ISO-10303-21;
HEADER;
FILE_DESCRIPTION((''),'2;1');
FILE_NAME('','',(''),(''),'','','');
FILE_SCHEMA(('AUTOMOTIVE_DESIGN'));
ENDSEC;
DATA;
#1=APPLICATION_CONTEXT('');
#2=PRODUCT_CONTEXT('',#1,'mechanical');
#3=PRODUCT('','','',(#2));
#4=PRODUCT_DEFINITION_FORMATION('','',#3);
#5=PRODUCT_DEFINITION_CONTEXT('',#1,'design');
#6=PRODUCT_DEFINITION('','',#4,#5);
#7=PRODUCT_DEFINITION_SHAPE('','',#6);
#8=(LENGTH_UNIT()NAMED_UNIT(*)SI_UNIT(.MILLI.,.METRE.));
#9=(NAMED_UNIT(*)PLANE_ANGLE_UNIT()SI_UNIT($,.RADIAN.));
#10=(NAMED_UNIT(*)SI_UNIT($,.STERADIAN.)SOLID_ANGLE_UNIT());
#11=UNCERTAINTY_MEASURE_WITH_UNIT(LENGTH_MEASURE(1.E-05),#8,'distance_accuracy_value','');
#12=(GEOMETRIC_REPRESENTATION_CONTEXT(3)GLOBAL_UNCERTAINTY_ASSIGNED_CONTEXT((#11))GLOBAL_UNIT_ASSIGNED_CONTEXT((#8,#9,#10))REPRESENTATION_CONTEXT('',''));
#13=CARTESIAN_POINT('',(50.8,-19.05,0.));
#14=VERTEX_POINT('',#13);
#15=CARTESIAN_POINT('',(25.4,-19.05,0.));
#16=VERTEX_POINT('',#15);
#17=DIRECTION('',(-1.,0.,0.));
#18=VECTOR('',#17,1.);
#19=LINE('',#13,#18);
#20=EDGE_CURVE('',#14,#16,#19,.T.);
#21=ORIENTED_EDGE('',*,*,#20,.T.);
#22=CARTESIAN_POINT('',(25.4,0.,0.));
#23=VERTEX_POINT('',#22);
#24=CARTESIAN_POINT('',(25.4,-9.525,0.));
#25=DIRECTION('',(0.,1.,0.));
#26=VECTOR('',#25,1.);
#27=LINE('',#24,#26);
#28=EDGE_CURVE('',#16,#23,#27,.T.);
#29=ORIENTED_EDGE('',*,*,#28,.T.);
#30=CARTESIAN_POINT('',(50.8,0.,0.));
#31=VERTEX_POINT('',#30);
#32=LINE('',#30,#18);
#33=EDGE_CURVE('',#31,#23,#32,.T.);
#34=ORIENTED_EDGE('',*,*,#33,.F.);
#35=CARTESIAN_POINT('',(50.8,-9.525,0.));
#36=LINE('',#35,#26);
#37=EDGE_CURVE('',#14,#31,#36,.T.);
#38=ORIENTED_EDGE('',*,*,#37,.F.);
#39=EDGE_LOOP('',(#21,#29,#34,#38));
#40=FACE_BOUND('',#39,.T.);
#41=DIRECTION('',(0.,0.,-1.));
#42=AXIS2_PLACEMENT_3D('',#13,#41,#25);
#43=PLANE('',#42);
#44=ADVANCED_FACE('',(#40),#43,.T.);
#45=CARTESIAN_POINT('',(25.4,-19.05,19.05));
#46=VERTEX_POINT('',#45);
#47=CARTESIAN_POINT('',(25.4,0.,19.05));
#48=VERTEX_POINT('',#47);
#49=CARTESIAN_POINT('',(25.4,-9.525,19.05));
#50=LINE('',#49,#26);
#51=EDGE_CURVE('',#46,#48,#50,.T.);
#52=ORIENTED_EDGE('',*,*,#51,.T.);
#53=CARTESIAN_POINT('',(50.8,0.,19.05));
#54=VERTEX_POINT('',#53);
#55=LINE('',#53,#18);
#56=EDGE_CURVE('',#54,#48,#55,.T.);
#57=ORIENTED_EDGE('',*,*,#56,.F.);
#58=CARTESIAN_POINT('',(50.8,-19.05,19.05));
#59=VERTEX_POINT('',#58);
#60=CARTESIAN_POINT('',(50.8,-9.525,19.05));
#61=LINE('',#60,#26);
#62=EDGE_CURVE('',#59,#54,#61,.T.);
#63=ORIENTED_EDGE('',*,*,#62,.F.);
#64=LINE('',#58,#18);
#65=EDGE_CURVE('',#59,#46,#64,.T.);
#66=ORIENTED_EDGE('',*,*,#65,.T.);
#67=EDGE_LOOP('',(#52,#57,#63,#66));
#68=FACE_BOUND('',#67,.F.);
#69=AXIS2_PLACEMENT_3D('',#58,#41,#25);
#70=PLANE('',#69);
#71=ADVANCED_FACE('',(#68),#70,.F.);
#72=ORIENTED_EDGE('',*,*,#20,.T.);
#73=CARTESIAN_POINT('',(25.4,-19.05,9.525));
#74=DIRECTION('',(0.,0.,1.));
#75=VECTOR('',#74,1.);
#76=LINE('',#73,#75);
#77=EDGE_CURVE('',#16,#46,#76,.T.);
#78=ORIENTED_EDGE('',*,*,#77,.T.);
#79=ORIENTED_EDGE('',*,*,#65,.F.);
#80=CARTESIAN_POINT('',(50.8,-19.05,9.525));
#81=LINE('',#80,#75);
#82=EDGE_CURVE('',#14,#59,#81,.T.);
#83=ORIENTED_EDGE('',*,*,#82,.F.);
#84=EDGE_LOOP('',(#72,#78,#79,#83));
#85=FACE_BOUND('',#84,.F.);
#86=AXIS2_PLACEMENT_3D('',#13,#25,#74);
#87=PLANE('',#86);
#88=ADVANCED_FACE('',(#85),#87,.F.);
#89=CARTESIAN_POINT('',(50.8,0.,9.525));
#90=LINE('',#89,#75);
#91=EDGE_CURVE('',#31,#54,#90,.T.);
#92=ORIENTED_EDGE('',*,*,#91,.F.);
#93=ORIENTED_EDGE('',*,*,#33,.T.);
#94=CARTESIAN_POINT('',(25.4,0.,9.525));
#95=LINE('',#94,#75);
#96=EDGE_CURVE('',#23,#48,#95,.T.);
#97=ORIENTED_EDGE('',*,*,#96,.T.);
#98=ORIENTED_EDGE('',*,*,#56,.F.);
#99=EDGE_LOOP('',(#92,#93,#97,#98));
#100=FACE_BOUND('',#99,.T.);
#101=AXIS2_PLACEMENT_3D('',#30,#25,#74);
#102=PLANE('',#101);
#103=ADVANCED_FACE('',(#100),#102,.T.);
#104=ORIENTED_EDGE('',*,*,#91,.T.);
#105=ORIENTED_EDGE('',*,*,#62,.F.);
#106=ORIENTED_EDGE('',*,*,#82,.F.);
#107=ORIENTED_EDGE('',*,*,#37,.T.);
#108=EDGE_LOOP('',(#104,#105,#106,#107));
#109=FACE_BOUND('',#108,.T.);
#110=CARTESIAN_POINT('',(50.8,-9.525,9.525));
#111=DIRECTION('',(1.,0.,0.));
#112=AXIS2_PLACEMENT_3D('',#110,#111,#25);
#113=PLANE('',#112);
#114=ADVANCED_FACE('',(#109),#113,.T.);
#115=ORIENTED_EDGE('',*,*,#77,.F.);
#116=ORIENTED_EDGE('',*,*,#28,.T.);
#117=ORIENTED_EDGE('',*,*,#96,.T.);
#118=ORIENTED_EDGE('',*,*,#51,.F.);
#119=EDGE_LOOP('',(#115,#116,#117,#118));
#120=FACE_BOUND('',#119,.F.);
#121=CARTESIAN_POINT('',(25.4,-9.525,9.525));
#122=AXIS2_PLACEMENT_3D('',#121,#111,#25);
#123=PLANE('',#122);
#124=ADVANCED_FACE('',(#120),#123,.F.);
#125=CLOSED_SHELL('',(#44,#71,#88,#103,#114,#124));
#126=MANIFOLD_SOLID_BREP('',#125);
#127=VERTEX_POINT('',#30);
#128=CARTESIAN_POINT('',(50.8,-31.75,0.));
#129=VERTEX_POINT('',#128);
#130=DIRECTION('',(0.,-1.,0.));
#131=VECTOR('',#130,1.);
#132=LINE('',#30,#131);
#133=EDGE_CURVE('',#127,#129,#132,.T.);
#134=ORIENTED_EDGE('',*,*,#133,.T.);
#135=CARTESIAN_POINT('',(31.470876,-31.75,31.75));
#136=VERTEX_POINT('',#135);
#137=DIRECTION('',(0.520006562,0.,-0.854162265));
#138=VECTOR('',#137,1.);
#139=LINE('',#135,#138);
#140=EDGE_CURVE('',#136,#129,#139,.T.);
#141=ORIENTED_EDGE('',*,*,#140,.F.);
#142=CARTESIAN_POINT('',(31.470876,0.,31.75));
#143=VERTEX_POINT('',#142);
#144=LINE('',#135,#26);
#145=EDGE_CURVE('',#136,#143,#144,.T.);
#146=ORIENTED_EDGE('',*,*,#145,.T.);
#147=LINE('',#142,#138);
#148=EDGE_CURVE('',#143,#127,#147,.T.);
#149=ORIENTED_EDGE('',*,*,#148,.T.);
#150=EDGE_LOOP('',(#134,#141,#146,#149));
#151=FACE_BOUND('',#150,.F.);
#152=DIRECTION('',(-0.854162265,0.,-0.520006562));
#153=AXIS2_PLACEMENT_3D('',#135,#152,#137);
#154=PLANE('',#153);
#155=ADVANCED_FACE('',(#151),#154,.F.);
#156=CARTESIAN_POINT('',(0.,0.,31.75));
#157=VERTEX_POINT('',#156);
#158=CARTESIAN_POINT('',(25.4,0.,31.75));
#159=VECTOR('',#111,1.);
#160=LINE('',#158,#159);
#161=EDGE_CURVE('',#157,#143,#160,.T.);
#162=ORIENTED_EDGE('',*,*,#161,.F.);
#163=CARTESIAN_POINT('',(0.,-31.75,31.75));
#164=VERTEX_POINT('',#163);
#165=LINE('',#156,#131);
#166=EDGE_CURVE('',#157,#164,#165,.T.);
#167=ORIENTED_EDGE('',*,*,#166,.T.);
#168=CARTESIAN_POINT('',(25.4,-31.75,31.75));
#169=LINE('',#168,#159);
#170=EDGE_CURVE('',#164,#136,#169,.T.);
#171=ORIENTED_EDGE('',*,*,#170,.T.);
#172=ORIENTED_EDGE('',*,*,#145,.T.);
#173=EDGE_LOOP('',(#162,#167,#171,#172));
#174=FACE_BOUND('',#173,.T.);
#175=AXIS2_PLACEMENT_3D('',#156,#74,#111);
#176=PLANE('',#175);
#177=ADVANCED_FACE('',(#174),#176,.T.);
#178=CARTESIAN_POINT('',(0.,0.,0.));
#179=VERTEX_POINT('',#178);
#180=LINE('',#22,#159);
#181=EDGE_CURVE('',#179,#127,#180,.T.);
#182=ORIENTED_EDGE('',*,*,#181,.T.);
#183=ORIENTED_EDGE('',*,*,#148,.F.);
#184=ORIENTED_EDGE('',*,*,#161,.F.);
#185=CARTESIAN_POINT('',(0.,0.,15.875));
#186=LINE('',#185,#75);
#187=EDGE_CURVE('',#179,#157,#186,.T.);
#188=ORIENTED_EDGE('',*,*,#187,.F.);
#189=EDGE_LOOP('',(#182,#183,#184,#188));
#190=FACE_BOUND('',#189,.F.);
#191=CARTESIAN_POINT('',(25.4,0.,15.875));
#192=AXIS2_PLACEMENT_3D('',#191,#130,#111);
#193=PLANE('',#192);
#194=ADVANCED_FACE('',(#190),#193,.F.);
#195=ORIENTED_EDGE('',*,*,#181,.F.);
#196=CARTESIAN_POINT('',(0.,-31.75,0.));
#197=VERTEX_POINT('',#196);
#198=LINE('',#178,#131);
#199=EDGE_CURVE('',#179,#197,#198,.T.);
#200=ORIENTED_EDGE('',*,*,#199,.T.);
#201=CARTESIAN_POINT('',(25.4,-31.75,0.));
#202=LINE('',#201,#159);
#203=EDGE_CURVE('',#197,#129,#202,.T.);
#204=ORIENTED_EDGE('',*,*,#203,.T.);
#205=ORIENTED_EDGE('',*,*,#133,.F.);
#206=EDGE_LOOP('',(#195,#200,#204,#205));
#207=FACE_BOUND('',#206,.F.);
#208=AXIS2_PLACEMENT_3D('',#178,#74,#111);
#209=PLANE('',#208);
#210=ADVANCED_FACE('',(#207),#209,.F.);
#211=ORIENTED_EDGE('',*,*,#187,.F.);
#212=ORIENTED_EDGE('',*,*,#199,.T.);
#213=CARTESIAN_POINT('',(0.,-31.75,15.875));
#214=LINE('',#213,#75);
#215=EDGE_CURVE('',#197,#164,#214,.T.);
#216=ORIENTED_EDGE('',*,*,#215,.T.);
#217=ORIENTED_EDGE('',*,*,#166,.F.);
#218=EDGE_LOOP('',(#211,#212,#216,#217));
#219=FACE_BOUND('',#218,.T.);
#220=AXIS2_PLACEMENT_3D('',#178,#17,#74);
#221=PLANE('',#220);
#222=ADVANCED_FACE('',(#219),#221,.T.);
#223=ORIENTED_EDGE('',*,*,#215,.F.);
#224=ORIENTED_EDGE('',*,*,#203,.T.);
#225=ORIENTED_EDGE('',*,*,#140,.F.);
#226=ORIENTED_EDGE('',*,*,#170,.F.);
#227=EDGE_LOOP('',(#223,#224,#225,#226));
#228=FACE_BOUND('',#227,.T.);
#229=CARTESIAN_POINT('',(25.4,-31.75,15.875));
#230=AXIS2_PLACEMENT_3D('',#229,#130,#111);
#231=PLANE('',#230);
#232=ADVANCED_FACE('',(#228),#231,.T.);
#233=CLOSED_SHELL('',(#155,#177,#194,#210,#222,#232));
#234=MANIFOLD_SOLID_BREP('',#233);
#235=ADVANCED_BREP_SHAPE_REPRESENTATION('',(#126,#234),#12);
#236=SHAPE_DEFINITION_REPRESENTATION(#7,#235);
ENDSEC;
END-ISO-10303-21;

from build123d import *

# Parameters (mm, degrees)
F0_W     = 50.8
F0_H     = 31.75
F1_DEPTH = 31.75
F4_DEPTH = 31.75
F2_W     = 19.05
F2_H     = 19.05
F5_DEPTH = 25.4


with BuildPart() as f1:
    # F0 (on Front) → F1 (new body)
    with BuildSketch(Plane.XZ):
        with Locations((25.4, 15.875)):
            Rectangle(F0_W, F0_H)
    extrude(amount=F1_DEPTH)

    # F3 (on face) → F4 (cut)
    with BuildSketch(Plane.XZ.offset(31.75)):
        Polygon((31.470876, 31.75), (50.8, 0), (50.8, 31.75), align=None)
    extrude(amount=-F4_DEPTH, mode=Mode.SUBTRACT)


with BuildPart() as f5:
    # F2 (on face) → F5 (new body)
    with BuildSketch(Plane.YZ.offset(50.8)):
        with Locations((-9.525, 9.525)):
            Rectangle(F2_W, F2_H)
    extrude(amount=-F5_DEPTH)


solid = Compound([f1.part, f5.part])
